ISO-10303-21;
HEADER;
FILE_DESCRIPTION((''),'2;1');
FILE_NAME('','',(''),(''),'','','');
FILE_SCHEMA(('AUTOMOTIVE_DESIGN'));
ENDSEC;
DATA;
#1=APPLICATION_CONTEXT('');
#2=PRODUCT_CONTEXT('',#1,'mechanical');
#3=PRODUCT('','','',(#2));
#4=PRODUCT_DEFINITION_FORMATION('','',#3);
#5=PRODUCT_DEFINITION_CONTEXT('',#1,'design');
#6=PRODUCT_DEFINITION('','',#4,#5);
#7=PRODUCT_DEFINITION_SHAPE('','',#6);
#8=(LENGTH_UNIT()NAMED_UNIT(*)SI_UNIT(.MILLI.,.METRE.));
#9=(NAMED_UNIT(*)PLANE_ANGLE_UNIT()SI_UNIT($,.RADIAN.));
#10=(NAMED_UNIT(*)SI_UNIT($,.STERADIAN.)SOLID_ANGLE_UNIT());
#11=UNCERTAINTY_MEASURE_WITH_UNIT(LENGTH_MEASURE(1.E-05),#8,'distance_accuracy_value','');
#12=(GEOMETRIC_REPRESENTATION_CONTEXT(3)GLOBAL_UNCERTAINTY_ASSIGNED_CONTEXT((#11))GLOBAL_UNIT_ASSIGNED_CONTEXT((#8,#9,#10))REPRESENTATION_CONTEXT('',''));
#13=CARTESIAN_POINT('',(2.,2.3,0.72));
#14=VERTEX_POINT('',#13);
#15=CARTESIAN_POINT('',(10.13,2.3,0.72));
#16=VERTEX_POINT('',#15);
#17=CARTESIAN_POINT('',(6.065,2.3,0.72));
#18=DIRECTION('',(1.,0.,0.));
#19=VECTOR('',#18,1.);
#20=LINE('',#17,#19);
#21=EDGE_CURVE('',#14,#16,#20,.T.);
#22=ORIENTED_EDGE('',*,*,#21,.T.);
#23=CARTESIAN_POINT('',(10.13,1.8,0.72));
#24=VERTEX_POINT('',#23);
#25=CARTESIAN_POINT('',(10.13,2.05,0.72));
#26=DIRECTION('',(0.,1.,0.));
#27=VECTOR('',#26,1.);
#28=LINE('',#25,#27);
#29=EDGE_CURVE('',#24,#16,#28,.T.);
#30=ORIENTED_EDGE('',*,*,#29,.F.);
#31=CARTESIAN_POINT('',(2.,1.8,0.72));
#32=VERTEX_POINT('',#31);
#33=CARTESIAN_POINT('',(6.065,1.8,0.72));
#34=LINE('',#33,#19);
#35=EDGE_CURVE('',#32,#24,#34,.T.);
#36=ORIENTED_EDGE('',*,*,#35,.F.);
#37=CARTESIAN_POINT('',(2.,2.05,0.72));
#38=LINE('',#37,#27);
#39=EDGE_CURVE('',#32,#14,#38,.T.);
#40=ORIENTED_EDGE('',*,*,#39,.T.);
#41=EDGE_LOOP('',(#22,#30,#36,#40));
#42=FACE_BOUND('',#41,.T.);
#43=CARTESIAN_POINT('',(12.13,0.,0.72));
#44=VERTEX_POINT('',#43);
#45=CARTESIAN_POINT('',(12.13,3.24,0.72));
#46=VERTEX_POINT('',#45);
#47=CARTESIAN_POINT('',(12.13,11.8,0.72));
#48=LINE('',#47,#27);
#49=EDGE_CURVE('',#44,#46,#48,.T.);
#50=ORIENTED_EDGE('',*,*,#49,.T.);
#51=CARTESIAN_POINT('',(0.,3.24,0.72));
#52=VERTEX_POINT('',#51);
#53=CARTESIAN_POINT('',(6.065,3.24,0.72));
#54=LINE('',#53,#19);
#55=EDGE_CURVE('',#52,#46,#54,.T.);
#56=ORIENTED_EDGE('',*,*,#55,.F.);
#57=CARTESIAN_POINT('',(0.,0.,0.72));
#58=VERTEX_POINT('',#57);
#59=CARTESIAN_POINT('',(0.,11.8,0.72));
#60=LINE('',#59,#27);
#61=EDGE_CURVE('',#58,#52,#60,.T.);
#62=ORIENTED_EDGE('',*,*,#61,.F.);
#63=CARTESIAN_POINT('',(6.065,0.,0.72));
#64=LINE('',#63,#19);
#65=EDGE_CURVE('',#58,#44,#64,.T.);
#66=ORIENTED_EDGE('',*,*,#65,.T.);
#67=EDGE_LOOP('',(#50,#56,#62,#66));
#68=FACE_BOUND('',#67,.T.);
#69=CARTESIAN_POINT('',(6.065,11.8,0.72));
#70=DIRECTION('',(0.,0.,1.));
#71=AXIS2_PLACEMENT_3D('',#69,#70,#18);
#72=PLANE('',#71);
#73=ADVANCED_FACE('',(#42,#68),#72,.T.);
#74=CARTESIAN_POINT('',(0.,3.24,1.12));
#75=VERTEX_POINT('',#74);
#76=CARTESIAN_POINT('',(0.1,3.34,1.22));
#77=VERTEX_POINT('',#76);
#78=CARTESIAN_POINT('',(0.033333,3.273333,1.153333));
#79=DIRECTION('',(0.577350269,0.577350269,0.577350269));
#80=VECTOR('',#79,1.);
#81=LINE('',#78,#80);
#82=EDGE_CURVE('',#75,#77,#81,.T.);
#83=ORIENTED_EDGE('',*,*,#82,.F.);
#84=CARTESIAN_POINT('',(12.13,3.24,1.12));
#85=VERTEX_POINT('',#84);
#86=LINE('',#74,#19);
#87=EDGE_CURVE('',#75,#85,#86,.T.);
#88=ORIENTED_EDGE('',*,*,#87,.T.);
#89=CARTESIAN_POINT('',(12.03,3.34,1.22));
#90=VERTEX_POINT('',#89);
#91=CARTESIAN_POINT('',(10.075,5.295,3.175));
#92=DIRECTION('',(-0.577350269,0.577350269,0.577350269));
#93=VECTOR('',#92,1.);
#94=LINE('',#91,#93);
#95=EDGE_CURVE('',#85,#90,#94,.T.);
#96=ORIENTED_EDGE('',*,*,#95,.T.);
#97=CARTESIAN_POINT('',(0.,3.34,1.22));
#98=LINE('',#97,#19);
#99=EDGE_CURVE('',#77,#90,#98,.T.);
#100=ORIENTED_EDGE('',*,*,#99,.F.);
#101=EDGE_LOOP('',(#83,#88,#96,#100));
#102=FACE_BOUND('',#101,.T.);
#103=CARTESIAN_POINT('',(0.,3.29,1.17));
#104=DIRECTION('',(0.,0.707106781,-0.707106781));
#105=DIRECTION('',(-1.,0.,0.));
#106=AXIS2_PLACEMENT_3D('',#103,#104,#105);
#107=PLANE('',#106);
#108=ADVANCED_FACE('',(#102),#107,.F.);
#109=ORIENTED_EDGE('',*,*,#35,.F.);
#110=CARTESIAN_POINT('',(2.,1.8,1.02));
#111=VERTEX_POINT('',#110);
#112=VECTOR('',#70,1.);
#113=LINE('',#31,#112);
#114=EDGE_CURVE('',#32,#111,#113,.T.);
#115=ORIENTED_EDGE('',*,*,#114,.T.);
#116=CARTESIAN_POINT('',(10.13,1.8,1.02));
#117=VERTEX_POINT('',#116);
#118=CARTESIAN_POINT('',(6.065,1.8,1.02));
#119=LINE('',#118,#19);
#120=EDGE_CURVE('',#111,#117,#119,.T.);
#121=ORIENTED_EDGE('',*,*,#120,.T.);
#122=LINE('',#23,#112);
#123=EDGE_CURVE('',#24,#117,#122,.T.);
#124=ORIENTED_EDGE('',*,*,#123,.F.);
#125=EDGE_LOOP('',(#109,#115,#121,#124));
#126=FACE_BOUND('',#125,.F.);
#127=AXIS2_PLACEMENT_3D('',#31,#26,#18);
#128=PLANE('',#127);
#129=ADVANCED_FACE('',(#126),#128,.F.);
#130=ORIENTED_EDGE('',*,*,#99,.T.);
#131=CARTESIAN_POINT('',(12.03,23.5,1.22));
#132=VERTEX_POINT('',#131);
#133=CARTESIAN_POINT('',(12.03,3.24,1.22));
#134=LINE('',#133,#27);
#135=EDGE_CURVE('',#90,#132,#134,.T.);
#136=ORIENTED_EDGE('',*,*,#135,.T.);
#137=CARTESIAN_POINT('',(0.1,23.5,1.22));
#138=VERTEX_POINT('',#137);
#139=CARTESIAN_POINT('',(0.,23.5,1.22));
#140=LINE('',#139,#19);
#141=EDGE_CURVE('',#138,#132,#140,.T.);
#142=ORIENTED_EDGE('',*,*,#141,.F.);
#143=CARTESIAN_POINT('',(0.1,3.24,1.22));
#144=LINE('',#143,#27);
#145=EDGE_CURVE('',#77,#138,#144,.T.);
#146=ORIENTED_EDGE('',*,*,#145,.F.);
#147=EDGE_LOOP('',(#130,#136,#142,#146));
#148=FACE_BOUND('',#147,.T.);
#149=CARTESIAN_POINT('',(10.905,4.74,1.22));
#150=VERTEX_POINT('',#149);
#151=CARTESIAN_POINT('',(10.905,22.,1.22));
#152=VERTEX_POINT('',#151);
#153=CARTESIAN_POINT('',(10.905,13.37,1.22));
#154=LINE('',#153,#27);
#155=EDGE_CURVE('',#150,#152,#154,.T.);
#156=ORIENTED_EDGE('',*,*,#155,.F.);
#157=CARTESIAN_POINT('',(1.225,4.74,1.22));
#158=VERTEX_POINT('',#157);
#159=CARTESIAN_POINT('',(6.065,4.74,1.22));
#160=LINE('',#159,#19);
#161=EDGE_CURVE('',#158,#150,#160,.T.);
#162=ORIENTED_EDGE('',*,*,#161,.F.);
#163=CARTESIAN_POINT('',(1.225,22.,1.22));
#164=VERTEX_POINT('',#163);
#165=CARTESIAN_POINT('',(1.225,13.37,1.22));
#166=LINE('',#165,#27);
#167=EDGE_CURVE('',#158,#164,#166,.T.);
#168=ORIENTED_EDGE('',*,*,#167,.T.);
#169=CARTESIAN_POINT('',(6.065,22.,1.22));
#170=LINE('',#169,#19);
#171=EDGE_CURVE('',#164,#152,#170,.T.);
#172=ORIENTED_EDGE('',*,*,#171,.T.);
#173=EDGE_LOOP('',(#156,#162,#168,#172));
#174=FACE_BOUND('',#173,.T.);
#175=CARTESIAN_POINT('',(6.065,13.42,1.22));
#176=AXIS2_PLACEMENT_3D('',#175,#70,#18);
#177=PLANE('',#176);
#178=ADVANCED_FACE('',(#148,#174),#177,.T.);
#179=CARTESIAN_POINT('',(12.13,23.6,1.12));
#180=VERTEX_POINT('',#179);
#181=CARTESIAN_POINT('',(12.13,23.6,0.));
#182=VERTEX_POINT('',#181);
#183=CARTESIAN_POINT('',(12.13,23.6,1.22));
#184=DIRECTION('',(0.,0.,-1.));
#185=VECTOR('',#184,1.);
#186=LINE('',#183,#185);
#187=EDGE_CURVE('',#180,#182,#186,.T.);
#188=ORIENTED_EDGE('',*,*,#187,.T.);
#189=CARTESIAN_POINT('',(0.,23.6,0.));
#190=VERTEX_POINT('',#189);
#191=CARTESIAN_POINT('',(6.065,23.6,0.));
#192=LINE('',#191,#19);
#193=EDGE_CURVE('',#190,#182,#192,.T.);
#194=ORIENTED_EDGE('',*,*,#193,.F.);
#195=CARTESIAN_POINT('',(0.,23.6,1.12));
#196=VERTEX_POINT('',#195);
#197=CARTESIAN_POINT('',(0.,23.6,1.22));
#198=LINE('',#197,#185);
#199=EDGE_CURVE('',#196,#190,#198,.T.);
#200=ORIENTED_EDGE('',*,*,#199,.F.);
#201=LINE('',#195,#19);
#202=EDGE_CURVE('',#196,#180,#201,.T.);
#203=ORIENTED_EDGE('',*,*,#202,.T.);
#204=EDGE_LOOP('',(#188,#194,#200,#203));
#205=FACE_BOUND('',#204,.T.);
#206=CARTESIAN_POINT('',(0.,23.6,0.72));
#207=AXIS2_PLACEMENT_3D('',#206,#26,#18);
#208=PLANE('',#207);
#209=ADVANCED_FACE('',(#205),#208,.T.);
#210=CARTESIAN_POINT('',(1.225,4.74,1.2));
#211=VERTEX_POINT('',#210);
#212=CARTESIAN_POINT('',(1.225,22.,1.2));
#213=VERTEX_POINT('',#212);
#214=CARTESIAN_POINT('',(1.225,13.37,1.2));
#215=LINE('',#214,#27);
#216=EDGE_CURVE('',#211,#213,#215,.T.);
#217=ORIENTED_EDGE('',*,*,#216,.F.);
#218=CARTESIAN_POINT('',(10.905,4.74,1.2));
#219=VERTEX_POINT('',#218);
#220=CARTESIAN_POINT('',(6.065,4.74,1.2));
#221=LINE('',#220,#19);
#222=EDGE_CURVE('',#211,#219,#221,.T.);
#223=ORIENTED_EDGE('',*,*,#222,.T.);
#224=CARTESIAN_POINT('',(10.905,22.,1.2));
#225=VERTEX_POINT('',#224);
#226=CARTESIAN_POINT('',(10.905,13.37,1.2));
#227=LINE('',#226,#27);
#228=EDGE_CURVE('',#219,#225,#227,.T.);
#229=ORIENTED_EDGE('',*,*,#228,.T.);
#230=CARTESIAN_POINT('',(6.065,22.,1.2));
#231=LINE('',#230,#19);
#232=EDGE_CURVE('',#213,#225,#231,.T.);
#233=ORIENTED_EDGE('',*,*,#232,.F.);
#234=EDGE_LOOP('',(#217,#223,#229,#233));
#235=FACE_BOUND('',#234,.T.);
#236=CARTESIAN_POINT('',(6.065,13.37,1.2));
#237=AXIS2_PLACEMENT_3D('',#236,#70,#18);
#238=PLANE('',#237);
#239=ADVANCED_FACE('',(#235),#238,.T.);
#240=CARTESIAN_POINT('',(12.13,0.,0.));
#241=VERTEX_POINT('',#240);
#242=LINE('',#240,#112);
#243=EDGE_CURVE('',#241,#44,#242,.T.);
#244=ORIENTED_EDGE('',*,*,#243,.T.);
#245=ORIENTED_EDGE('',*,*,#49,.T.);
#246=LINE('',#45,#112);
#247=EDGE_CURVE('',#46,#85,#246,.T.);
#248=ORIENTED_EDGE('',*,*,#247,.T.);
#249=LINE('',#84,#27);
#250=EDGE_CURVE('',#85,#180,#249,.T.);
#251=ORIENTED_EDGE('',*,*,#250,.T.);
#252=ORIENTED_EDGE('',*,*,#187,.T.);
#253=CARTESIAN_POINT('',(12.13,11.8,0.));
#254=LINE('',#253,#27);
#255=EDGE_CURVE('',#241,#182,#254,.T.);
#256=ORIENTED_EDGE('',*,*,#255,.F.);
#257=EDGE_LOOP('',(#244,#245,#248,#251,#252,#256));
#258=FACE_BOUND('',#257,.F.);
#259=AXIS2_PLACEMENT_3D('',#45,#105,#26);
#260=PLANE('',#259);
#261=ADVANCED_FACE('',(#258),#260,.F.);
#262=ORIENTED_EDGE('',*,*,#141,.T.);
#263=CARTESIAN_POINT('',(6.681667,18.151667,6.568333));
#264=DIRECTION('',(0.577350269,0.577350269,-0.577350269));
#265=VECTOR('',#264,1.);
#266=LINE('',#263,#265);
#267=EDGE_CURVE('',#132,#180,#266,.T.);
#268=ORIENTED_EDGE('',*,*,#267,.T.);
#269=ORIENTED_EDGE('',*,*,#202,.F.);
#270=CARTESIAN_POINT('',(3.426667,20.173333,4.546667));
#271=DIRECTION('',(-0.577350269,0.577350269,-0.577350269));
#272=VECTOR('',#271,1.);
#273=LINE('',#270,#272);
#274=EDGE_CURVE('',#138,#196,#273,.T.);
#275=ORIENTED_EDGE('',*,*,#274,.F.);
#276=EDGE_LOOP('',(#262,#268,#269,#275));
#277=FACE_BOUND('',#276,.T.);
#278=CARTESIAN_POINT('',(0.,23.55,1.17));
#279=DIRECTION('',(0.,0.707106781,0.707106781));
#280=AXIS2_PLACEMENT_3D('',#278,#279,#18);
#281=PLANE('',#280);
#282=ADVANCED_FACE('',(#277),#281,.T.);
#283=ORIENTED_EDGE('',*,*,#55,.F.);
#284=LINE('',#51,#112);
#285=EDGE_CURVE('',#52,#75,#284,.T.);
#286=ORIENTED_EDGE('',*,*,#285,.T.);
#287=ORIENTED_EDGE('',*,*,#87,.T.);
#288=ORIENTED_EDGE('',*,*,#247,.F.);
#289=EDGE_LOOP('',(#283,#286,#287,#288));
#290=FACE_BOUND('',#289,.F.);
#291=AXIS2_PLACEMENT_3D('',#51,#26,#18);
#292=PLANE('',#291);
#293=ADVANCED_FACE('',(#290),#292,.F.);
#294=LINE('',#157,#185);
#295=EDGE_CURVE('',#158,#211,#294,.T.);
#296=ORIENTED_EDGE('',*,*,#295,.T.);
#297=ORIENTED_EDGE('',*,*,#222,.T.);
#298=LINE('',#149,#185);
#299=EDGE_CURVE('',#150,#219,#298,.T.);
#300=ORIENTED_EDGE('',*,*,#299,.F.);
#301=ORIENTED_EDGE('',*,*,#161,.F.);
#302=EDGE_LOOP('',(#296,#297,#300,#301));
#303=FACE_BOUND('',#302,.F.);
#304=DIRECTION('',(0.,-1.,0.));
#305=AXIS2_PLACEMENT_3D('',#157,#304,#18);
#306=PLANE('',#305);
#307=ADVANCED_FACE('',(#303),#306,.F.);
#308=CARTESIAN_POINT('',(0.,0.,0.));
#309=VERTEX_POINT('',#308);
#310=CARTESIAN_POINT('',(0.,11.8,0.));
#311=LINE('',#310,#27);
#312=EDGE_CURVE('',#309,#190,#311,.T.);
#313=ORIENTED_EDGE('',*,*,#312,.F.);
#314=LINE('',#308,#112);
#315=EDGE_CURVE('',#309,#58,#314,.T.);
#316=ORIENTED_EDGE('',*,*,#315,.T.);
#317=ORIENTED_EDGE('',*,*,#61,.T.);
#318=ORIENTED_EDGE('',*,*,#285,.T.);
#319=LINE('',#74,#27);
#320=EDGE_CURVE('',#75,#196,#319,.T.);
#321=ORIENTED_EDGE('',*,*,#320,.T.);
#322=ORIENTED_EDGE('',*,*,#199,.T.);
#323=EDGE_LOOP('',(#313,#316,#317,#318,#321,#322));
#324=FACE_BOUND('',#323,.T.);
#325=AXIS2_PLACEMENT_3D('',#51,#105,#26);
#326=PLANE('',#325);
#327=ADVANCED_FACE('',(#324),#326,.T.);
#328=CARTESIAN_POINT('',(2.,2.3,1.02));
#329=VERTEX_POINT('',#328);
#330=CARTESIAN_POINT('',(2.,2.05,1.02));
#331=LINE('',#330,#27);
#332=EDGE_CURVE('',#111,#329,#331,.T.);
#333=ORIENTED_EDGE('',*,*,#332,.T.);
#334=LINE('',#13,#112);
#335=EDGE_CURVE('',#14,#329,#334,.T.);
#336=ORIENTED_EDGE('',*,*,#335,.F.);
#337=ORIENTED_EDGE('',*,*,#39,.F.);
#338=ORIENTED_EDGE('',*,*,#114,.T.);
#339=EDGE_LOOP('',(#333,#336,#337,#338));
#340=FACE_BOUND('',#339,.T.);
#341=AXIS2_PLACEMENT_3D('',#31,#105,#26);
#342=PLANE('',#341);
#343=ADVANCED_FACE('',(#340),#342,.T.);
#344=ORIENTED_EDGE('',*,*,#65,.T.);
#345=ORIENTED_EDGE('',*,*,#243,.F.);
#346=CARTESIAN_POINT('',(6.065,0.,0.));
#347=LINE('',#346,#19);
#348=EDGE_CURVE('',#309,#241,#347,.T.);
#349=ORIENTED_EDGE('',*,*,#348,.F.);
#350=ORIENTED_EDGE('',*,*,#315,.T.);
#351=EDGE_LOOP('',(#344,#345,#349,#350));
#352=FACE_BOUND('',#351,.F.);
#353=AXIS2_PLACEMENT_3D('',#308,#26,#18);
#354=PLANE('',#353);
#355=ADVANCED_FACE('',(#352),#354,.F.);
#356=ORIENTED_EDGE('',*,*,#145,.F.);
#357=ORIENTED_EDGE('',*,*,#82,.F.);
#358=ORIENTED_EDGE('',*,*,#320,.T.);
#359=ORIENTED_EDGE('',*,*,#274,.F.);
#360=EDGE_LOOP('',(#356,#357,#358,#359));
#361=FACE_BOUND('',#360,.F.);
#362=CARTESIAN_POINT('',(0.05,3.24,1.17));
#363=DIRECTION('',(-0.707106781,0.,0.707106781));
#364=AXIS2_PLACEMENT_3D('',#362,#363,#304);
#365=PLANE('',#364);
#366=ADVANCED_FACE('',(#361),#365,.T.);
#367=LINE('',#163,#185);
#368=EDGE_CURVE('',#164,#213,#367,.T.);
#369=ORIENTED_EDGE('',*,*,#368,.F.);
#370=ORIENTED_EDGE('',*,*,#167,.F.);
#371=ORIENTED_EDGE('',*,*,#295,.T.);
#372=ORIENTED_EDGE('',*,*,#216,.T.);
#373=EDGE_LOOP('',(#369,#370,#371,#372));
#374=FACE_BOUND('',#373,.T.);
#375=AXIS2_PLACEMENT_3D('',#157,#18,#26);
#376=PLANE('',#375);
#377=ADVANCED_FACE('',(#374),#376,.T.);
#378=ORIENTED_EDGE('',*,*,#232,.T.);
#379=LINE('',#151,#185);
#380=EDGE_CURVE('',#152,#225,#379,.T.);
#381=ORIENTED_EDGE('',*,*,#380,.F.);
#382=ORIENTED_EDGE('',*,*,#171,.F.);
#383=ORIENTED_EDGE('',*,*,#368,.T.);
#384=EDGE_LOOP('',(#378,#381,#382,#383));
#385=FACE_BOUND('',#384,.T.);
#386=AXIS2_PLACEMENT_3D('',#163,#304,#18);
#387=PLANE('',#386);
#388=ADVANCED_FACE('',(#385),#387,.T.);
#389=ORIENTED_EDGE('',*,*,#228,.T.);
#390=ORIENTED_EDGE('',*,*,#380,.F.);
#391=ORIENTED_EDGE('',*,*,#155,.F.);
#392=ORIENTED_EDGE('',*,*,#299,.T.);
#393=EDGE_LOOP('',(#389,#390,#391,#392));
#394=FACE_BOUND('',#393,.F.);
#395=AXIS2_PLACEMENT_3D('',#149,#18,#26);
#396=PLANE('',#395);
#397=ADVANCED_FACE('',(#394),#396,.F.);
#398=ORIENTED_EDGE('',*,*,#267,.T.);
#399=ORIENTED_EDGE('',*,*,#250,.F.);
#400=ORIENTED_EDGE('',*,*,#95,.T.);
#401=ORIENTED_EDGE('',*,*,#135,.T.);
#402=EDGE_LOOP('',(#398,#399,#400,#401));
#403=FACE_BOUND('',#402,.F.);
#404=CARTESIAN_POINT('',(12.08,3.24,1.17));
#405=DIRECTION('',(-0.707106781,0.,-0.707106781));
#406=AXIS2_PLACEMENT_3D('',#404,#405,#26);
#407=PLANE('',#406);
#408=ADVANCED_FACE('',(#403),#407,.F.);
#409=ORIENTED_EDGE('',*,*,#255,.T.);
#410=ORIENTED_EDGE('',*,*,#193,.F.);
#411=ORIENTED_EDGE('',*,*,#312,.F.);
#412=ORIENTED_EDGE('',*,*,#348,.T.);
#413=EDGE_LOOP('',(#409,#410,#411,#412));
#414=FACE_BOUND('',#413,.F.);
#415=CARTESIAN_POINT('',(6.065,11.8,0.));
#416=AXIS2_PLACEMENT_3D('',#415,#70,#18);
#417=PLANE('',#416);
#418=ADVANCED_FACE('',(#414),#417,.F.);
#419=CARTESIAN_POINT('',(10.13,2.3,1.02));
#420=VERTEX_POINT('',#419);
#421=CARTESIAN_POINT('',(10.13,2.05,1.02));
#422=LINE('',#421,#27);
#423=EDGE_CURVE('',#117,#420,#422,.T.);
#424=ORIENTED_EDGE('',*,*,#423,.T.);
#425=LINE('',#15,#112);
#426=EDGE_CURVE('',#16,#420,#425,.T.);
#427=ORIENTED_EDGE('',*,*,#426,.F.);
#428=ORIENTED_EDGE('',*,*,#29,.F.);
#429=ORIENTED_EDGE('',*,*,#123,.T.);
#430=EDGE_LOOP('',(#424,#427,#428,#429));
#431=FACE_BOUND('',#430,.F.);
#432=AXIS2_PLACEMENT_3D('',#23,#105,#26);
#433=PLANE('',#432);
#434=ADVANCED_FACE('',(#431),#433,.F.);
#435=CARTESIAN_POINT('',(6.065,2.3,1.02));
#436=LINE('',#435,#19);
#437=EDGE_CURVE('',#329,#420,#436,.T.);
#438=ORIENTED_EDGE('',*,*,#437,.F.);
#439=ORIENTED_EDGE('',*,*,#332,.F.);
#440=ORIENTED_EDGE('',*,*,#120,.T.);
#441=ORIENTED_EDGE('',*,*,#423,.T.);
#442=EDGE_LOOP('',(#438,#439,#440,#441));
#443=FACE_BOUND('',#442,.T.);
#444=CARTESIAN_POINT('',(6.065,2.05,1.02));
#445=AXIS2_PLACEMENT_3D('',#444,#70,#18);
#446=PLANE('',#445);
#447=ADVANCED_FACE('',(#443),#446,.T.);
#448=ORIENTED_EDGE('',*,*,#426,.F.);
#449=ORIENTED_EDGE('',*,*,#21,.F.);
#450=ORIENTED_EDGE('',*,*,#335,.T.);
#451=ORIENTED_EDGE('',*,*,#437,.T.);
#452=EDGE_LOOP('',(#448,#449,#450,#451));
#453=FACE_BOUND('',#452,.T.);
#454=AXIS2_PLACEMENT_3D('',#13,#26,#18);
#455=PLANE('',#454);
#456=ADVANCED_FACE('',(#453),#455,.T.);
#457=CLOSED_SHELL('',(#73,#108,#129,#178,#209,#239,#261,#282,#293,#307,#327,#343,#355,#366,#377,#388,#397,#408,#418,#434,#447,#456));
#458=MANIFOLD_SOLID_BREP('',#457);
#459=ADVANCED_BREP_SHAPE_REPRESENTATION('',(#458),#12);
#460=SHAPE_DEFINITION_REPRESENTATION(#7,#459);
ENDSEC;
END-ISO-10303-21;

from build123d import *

# Parameters (mm, degrees)
SKETCH_W     = 12.13
SKETCH_H     = 23.6
PAD_DEPTH    = 0.72
SKETCH001_W  = 12.13
SKETCH001_H  = 20.36
PAD001_DEPTH = 0.5
SKETCH002_W  = 8.13
SKETCH002_H  = 0.5
PAD002_DEPTH = 0.3
SKETCH003_W  = 9.68
SKETCH003_H  = 17.26
POCKET_DEPTH = 0.02
CHAMFER_SIZE = 0.1


with BuildPart() as part:
    # Sketch → Pad (new body)
    with BuildSketch(Plane.XY):
        with Locations((6.065, 11.8)):
            Rectangle(SKETCH_W, SKETCH_H)
    extrude(amount=PAD_DEPTH)

    # Sketch001 (on Face6 of Pad) → Pad001 (join)
    with BuildSketch(Plane.XY.offset(0.72)):
        with Locations((6.065, 13.42)):
            Rectangle(SKETCH001_W, SKETCH001_H)
    extrude(amount=PAD001_DEPTH)

    # Sketch002 (on Face5 of Pad001) → Pad002 (join)
    with BuildSketch(Plane.XY.offset(0.72)):
        with Locations((6.065, 2.05)):
            Rectangle(SKETCH002_W, SKETCH002_H)
    extrude(amount=PAD002_DEPTH)

    # Sketch003 (on Face15 of Pad002) → Pocket (cut)
    with BuildSketch(Plane.XY.offset(1.22)):
        with Locations((6.065, 13.37)):
            Rectangle(SKETCH003_W, SKETCH003_H)
    extrude(amount=-POCKET_DEPTH, mode=Mode.SUBTRACT)

    # Chamfer
    chamfer_edges = [part.edges().sort_by_distance(p)[0] for p in [
        (6.065, 23.6, 1.22),
        (0, 13.42, 1.22),
        (6.065, 3.24, 1.22),
        (12.13, 13.42, 1.22),
    ]]
    chamfer(chamfer_edges, length=CHAMFER_SIZE)


solid = part.part
